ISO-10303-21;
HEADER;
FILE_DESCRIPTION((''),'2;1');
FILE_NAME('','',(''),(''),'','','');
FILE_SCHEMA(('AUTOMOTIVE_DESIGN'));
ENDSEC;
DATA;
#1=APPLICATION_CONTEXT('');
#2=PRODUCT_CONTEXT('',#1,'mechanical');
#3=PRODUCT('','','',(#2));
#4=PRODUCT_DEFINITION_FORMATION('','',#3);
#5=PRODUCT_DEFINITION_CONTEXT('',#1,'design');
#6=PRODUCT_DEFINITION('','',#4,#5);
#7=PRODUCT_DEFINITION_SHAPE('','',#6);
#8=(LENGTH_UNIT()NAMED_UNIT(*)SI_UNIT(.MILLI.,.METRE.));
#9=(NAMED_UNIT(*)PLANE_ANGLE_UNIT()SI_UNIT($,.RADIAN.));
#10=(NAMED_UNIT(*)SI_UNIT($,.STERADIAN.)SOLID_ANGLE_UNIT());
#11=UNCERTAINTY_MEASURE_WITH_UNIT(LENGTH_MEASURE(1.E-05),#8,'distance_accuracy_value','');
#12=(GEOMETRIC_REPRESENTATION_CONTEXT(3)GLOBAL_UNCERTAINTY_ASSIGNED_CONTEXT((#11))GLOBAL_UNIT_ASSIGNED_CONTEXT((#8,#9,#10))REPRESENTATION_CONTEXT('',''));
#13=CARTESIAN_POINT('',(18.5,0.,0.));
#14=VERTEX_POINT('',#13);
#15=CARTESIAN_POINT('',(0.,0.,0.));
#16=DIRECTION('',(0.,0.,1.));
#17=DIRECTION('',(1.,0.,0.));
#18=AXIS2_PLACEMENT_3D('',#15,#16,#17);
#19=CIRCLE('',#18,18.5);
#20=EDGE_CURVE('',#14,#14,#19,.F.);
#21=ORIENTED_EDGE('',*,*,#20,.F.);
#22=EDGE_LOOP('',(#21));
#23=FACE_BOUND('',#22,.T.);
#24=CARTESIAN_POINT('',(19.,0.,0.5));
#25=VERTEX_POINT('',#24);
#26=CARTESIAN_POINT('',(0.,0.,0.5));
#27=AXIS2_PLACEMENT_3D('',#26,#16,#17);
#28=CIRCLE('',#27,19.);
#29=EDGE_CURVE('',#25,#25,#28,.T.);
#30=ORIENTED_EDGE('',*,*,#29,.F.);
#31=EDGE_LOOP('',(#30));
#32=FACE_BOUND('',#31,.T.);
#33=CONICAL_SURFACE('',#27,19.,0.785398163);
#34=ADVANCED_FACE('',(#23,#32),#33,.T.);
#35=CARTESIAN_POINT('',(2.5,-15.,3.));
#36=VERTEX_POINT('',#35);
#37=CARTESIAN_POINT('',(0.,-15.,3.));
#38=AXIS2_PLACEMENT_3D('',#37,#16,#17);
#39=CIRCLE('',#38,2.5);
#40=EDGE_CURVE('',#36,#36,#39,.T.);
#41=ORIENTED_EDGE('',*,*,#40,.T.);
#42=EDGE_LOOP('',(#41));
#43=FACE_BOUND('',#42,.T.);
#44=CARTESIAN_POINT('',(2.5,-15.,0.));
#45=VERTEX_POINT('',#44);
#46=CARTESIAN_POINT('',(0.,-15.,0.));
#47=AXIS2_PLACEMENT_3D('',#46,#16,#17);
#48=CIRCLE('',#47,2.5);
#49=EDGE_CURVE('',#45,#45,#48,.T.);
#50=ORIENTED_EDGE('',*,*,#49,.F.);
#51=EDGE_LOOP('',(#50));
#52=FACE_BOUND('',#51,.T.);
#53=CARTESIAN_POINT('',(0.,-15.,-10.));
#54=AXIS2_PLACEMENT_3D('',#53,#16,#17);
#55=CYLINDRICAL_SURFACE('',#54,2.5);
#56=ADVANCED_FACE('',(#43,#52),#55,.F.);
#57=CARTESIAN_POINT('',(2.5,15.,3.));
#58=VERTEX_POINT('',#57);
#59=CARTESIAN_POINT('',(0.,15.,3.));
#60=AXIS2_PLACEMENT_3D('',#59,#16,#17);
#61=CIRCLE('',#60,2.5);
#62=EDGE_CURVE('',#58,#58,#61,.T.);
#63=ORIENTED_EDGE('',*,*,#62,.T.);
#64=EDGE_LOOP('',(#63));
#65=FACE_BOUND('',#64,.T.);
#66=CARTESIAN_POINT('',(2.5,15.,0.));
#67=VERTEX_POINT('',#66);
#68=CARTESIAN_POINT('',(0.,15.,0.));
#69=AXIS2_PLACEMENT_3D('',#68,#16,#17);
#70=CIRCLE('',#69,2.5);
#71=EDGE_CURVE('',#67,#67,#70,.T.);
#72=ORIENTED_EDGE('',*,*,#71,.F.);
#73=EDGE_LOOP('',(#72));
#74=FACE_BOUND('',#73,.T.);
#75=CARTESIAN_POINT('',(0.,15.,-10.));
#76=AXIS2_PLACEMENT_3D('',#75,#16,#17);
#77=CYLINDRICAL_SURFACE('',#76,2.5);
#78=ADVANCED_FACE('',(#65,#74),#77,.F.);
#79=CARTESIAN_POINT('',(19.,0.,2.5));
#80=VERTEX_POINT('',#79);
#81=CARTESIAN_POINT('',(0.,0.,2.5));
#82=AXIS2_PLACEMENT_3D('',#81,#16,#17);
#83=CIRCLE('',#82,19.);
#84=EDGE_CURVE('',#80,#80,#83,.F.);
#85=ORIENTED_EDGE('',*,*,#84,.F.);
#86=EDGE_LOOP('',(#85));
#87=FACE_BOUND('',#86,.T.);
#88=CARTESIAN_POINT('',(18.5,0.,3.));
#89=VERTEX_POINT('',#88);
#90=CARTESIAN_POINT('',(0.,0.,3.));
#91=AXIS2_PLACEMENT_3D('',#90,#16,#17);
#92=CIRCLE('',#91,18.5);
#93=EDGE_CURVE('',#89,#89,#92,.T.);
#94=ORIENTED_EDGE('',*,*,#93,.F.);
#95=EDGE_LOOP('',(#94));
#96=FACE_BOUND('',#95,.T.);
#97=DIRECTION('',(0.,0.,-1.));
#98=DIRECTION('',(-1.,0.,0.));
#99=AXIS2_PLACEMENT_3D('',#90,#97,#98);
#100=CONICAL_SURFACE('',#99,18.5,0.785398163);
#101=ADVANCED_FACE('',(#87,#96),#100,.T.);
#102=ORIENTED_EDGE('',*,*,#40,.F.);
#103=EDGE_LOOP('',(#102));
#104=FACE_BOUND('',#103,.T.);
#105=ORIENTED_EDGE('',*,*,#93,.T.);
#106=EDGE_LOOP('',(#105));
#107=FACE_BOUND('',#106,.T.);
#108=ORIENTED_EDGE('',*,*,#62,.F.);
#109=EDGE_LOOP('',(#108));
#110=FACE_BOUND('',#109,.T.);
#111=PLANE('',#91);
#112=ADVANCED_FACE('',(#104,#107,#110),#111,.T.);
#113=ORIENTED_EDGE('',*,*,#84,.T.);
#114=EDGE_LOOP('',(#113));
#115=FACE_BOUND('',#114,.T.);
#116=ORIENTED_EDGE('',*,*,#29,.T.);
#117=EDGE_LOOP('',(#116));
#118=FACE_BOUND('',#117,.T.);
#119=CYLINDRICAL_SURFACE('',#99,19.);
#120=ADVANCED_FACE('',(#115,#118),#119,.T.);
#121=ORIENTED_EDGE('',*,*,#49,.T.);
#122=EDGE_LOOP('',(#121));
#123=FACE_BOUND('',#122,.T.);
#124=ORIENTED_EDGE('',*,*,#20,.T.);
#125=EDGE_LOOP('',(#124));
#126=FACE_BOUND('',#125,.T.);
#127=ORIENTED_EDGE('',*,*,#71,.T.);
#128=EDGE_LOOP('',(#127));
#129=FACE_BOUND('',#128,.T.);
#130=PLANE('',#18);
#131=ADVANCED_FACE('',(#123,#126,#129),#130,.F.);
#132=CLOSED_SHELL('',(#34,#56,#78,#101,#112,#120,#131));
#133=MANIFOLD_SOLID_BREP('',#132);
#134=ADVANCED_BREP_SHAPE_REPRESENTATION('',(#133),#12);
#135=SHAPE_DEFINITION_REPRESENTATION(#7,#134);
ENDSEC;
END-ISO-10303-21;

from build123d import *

# Parameters (mm, degrees)
SKETCH_1_R          = 19
EXTRUDE_1_DEPTH     = 3
SKETCH_2_R          = 2.5
CUT_EXTRUDE_1_DEPTH = 13
CHAMFER_1_SIZE      = 0.5


with BuildPart() as part:
    # 草图1 → 拉伸1 (new body)
    with BuildSketch(Plane.XY):
        Circle(SKETCH_1_R)
    extrude(amount=EXTRUDE_1_DEPTH)

    # 草图2 → 切除-拉伸1 (cut)
    with BuildSketch(Plane.XY.offset(3)):
        with Locations((0, 15)):
            Circle(SKETCH_2_R)
        with Locations((0, -15)):
            Circle(SKETCH_2_R)
    extrude(amount=-CUT_EXTRUDE_1_DEPTH, mode=Mode.SUBTRACT)

    # 倒角1
    chamfer_1_edges = [part.edges().sort_by_distance(p)[0] for p in [
        (-19, 0, 0),
        (-19, 0, 3),
    ]]
    chamfer(chamfer_1_edges, length=CHAMFER_1_SIZE)


solid = part.part
